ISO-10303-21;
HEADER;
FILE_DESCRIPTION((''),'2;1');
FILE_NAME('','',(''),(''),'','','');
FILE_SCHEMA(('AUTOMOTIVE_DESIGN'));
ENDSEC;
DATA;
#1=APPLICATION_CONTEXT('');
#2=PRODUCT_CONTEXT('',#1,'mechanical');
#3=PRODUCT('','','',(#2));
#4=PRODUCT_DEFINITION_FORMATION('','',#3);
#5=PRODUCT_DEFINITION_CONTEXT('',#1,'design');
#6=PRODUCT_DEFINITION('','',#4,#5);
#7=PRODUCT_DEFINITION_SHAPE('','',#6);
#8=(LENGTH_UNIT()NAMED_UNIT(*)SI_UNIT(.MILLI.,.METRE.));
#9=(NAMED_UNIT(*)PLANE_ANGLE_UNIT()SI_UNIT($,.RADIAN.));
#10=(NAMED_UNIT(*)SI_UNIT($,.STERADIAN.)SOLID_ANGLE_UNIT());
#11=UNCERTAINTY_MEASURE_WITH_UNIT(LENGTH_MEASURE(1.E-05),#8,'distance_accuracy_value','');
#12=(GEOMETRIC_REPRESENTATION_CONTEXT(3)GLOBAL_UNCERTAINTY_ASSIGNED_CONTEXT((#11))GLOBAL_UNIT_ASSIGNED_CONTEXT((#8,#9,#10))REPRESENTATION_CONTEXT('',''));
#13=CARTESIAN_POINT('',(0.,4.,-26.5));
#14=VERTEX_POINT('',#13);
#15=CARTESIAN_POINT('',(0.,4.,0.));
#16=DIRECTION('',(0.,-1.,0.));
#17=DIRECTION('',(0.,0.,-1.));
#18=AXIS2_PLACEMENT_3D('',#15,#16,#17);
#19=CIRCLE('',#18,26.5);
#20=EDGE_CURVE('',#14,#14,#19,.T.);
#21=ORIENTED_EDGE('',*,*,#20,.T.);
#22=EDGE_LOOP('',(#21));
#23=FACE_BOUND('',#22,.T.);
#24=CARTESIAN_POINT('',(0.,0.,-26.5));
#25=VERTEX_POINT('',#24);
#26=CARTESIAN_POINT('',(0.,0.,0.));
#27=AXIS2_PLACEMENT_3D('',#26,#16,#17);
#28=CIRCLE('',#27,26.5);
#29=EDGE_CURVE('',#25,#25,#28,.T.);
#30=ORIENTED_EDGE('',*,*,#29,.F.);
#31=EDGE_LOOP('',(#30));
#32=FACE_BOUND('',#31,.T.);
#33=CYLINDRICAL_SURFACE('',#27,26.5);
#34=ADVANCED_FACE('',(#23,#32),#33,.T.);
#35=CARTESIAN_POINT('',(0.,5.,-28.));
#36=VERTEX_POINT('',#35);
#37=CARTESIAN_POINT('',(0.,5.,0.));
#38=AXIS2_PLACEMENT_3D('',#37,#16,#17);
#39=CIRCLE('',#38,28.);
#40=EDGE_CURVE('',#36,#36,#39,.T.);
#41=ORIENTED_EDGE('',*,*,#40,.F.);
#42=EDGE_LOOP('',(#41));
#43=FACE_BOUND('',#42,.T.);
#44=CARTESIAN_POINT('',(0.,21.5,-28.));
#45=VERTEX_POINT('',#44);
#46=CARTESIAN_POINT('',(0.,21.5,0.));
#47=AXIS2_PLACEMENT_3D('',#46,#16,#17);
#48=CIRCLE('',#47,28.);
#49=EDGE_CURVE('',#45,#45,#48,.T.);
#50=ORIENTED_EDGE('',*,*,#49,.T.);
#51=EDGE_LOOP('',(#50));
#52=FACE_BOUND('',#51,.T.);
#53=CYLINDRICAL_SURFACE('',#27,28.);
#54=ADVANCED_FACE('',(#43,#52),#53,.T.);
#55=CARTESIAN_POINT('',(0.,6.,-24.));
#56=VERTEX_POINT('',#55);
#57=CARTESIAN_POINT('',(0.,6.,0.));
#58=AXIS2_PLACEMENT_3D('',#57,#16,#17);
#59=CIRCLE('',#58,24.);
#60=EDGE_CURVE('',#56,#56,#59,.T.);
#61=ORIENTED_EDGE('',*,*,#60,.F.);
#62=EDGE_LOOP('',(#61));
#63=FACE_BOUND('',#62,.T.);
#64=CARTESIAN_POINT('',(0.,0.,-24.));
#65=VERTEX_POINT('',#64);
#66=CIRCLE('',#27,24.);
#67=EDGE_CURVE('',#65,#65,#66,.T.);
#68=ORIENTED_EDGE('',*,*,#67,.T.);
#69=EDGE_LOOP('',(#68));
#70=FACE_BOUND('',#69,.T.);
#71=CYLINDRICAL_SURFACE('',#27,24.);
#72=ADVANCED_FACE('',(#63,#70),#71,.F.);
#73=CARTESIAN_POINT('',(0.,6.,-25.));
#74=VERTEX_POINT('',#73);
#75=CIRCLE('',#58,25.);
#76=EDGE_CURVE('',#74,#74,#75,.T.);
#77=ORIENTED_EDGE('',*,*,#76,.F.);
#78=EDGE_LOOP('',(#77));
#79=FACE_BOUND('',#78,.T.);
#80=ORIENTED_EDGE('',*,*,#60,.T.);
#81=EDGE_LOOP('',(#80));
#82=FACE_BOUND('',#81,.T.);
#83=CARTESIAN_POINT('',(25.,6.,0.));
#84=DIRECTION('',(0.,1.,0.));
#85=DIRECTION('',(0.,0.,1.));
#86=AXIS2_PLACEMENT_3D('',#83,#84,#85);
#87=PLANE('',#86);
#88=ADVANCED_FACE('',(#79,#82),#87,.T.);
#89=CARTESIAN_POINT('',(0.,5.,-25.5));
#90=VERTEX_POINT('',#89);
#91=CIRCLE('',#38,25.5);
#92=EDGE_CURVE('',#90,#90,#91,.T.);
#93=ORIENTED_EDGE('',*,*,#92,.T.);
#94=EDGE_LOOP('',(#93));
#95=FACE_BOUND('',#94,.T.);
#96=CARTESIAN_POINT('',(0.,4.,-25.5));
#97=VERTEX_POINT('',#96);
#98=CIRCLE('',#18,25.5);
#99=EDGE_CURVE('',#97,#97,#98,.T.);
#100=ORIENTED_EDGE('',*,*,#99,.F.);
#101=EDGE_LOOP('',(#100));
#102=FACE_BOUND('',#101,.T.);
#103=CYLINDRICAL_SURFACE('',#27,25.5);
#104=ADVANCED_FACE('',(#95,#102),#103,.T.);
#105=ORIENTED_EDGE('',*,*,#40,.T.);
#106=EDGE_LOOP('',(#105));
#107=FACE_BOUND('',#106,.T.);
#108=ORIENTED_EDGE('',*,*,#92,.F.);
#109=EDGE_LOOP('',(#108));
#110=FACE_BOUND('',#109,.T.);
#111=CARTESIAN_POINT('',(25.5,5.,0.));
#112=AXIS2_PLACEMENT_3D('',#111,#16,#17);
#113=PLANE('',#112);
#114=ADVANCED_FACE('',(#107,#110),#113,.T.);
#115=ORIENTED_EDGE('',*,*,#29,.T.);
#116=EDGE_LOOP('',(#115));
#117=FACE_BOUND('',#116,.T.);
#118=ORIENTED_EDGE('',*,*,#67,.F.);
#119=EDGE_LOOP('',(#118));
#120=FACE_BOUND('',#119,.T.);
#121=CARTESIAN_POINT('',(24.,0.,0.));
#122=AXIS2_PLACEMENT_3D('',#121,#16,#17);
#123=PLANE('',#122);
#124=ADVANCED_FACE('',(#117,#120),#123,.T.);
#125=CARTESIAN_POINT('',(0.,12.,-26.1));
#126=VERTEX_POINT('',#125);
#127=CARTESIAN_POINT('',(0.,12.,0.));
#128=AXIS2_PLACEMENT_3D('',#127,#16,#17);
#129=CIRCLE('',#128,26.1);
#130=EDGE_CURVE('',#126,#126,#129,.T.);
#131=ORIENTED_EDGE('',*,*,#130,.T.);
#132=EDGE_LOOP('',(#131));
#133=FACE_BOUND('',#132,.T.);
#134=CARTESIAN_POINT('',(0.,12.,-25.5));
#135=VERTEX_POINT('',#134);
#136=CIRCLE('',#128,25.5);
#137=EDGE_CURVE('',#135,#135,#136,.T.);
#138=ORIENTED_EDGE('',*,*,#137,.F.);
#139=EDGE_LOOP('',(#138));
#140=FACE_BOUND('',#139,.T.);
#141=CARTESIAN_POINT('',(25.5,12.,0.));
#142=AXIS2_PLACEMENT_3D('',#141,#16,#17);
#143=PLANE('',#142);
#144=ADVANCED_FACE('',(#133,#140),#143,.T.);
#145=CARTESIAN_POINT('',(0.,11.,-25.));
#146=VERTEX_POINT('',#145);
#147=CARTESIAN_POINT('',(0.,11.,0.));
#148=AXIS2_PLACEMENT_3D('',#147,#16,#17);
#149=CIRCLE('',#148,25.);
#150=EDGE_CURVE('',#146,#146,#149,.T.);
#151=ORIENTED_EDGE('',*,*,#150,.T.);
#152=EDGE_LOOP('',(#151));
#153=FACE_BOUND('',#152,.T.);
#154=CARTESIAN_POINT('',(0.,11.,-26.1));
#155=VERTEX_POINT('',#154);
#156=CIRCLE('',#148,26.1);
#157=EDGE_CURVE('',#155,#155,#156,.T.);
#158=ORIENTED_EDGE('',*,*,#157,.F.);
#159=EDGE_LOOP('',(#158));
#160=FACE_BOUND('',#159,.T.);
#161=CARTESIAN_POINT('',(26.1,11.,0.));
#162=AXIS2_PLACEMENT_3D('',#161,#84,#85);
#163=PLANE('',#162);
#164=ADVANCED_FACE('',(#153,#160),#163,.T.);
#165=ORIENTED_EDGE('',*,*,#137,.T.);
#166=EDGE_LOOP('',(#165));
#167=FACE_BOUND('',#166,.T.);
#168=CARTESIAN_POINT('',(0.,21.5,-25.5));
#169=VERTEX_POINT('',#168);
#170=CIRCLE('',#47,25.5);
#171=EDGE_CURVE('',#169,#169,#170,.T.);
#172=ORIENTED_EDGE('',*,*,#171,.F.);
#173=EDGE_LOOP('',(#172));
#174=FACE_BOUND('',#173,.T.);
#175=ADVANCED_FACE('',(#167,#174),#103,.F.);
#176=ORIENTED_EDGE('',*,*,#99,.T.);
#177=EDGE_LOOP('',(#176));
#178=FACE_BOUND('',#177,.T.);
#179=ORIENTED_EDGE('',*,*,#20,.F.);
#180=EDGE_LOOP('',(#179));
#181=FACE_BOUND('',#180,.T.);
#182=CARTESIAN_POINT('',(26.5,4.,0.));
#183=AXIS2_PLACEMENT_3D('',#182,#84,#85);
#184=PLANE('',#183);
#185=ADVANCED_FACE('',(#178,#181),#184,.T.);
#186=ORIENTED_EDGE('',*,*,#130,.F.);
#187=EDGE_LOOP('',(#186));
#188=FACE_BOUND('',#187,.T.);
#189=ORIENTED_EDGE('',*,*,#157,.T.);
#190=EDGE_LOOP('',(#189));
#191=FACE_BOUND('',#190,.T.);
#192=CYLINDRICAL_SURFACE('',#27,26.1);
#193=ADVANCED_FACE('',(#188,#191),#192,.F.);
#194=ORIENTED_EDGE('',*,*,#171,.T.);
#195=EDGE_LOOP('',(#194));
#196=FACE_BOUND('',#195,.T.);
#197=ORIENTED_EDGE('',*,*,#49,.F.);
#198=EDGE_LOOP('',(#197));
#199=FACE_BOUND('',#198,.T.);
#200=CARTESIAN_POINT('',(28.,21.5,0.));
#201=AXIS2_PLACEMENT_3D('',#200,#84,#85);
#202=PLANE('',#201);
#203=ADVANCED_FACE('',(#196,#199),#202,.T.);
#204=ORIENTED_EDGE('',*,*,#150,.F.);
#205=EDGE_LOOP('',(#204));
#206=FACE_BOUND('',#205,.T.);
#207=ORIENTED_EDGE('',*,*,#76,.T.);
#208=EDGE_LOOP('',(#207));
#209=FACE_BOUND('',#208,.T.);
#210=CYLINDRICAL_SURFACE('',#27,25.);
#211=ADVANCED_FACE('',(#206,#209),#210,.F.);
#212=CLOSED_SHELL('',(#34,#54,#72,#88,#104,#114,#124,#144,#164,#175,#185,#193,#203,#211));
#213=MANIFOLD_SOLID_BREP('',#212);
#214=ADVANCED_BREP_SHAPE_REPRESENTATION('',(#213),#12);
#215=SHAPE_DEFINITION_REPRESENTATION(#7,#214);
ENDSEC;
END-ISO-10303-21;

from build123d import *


with BuildPart() as part:
    # 草图1 → 旋转1 (revolve)
    with BuildSketch(Plane.XY, mode=Mode.PRIVATE) as revolve_1_sk:
        Polygon((24, 0), (26.5, 0), (26.5, 4), (25.5, 4), (25.5, 5), (28, 5), (28, 21.5), (25.5, 21.5), (25.5, 12), (26.1, 12), (26.1, 11), (25, 11), (25, 6), (24, 6), align=None)
    revolve(revolve_1_sk.sketch.rotate(Axis((0, 0, 0), (0, 1, 0)), 90), axis=Axis((0, 0, 0), (0, 1, 0)))  # turned: the seam where the file's is


solid = part.part
